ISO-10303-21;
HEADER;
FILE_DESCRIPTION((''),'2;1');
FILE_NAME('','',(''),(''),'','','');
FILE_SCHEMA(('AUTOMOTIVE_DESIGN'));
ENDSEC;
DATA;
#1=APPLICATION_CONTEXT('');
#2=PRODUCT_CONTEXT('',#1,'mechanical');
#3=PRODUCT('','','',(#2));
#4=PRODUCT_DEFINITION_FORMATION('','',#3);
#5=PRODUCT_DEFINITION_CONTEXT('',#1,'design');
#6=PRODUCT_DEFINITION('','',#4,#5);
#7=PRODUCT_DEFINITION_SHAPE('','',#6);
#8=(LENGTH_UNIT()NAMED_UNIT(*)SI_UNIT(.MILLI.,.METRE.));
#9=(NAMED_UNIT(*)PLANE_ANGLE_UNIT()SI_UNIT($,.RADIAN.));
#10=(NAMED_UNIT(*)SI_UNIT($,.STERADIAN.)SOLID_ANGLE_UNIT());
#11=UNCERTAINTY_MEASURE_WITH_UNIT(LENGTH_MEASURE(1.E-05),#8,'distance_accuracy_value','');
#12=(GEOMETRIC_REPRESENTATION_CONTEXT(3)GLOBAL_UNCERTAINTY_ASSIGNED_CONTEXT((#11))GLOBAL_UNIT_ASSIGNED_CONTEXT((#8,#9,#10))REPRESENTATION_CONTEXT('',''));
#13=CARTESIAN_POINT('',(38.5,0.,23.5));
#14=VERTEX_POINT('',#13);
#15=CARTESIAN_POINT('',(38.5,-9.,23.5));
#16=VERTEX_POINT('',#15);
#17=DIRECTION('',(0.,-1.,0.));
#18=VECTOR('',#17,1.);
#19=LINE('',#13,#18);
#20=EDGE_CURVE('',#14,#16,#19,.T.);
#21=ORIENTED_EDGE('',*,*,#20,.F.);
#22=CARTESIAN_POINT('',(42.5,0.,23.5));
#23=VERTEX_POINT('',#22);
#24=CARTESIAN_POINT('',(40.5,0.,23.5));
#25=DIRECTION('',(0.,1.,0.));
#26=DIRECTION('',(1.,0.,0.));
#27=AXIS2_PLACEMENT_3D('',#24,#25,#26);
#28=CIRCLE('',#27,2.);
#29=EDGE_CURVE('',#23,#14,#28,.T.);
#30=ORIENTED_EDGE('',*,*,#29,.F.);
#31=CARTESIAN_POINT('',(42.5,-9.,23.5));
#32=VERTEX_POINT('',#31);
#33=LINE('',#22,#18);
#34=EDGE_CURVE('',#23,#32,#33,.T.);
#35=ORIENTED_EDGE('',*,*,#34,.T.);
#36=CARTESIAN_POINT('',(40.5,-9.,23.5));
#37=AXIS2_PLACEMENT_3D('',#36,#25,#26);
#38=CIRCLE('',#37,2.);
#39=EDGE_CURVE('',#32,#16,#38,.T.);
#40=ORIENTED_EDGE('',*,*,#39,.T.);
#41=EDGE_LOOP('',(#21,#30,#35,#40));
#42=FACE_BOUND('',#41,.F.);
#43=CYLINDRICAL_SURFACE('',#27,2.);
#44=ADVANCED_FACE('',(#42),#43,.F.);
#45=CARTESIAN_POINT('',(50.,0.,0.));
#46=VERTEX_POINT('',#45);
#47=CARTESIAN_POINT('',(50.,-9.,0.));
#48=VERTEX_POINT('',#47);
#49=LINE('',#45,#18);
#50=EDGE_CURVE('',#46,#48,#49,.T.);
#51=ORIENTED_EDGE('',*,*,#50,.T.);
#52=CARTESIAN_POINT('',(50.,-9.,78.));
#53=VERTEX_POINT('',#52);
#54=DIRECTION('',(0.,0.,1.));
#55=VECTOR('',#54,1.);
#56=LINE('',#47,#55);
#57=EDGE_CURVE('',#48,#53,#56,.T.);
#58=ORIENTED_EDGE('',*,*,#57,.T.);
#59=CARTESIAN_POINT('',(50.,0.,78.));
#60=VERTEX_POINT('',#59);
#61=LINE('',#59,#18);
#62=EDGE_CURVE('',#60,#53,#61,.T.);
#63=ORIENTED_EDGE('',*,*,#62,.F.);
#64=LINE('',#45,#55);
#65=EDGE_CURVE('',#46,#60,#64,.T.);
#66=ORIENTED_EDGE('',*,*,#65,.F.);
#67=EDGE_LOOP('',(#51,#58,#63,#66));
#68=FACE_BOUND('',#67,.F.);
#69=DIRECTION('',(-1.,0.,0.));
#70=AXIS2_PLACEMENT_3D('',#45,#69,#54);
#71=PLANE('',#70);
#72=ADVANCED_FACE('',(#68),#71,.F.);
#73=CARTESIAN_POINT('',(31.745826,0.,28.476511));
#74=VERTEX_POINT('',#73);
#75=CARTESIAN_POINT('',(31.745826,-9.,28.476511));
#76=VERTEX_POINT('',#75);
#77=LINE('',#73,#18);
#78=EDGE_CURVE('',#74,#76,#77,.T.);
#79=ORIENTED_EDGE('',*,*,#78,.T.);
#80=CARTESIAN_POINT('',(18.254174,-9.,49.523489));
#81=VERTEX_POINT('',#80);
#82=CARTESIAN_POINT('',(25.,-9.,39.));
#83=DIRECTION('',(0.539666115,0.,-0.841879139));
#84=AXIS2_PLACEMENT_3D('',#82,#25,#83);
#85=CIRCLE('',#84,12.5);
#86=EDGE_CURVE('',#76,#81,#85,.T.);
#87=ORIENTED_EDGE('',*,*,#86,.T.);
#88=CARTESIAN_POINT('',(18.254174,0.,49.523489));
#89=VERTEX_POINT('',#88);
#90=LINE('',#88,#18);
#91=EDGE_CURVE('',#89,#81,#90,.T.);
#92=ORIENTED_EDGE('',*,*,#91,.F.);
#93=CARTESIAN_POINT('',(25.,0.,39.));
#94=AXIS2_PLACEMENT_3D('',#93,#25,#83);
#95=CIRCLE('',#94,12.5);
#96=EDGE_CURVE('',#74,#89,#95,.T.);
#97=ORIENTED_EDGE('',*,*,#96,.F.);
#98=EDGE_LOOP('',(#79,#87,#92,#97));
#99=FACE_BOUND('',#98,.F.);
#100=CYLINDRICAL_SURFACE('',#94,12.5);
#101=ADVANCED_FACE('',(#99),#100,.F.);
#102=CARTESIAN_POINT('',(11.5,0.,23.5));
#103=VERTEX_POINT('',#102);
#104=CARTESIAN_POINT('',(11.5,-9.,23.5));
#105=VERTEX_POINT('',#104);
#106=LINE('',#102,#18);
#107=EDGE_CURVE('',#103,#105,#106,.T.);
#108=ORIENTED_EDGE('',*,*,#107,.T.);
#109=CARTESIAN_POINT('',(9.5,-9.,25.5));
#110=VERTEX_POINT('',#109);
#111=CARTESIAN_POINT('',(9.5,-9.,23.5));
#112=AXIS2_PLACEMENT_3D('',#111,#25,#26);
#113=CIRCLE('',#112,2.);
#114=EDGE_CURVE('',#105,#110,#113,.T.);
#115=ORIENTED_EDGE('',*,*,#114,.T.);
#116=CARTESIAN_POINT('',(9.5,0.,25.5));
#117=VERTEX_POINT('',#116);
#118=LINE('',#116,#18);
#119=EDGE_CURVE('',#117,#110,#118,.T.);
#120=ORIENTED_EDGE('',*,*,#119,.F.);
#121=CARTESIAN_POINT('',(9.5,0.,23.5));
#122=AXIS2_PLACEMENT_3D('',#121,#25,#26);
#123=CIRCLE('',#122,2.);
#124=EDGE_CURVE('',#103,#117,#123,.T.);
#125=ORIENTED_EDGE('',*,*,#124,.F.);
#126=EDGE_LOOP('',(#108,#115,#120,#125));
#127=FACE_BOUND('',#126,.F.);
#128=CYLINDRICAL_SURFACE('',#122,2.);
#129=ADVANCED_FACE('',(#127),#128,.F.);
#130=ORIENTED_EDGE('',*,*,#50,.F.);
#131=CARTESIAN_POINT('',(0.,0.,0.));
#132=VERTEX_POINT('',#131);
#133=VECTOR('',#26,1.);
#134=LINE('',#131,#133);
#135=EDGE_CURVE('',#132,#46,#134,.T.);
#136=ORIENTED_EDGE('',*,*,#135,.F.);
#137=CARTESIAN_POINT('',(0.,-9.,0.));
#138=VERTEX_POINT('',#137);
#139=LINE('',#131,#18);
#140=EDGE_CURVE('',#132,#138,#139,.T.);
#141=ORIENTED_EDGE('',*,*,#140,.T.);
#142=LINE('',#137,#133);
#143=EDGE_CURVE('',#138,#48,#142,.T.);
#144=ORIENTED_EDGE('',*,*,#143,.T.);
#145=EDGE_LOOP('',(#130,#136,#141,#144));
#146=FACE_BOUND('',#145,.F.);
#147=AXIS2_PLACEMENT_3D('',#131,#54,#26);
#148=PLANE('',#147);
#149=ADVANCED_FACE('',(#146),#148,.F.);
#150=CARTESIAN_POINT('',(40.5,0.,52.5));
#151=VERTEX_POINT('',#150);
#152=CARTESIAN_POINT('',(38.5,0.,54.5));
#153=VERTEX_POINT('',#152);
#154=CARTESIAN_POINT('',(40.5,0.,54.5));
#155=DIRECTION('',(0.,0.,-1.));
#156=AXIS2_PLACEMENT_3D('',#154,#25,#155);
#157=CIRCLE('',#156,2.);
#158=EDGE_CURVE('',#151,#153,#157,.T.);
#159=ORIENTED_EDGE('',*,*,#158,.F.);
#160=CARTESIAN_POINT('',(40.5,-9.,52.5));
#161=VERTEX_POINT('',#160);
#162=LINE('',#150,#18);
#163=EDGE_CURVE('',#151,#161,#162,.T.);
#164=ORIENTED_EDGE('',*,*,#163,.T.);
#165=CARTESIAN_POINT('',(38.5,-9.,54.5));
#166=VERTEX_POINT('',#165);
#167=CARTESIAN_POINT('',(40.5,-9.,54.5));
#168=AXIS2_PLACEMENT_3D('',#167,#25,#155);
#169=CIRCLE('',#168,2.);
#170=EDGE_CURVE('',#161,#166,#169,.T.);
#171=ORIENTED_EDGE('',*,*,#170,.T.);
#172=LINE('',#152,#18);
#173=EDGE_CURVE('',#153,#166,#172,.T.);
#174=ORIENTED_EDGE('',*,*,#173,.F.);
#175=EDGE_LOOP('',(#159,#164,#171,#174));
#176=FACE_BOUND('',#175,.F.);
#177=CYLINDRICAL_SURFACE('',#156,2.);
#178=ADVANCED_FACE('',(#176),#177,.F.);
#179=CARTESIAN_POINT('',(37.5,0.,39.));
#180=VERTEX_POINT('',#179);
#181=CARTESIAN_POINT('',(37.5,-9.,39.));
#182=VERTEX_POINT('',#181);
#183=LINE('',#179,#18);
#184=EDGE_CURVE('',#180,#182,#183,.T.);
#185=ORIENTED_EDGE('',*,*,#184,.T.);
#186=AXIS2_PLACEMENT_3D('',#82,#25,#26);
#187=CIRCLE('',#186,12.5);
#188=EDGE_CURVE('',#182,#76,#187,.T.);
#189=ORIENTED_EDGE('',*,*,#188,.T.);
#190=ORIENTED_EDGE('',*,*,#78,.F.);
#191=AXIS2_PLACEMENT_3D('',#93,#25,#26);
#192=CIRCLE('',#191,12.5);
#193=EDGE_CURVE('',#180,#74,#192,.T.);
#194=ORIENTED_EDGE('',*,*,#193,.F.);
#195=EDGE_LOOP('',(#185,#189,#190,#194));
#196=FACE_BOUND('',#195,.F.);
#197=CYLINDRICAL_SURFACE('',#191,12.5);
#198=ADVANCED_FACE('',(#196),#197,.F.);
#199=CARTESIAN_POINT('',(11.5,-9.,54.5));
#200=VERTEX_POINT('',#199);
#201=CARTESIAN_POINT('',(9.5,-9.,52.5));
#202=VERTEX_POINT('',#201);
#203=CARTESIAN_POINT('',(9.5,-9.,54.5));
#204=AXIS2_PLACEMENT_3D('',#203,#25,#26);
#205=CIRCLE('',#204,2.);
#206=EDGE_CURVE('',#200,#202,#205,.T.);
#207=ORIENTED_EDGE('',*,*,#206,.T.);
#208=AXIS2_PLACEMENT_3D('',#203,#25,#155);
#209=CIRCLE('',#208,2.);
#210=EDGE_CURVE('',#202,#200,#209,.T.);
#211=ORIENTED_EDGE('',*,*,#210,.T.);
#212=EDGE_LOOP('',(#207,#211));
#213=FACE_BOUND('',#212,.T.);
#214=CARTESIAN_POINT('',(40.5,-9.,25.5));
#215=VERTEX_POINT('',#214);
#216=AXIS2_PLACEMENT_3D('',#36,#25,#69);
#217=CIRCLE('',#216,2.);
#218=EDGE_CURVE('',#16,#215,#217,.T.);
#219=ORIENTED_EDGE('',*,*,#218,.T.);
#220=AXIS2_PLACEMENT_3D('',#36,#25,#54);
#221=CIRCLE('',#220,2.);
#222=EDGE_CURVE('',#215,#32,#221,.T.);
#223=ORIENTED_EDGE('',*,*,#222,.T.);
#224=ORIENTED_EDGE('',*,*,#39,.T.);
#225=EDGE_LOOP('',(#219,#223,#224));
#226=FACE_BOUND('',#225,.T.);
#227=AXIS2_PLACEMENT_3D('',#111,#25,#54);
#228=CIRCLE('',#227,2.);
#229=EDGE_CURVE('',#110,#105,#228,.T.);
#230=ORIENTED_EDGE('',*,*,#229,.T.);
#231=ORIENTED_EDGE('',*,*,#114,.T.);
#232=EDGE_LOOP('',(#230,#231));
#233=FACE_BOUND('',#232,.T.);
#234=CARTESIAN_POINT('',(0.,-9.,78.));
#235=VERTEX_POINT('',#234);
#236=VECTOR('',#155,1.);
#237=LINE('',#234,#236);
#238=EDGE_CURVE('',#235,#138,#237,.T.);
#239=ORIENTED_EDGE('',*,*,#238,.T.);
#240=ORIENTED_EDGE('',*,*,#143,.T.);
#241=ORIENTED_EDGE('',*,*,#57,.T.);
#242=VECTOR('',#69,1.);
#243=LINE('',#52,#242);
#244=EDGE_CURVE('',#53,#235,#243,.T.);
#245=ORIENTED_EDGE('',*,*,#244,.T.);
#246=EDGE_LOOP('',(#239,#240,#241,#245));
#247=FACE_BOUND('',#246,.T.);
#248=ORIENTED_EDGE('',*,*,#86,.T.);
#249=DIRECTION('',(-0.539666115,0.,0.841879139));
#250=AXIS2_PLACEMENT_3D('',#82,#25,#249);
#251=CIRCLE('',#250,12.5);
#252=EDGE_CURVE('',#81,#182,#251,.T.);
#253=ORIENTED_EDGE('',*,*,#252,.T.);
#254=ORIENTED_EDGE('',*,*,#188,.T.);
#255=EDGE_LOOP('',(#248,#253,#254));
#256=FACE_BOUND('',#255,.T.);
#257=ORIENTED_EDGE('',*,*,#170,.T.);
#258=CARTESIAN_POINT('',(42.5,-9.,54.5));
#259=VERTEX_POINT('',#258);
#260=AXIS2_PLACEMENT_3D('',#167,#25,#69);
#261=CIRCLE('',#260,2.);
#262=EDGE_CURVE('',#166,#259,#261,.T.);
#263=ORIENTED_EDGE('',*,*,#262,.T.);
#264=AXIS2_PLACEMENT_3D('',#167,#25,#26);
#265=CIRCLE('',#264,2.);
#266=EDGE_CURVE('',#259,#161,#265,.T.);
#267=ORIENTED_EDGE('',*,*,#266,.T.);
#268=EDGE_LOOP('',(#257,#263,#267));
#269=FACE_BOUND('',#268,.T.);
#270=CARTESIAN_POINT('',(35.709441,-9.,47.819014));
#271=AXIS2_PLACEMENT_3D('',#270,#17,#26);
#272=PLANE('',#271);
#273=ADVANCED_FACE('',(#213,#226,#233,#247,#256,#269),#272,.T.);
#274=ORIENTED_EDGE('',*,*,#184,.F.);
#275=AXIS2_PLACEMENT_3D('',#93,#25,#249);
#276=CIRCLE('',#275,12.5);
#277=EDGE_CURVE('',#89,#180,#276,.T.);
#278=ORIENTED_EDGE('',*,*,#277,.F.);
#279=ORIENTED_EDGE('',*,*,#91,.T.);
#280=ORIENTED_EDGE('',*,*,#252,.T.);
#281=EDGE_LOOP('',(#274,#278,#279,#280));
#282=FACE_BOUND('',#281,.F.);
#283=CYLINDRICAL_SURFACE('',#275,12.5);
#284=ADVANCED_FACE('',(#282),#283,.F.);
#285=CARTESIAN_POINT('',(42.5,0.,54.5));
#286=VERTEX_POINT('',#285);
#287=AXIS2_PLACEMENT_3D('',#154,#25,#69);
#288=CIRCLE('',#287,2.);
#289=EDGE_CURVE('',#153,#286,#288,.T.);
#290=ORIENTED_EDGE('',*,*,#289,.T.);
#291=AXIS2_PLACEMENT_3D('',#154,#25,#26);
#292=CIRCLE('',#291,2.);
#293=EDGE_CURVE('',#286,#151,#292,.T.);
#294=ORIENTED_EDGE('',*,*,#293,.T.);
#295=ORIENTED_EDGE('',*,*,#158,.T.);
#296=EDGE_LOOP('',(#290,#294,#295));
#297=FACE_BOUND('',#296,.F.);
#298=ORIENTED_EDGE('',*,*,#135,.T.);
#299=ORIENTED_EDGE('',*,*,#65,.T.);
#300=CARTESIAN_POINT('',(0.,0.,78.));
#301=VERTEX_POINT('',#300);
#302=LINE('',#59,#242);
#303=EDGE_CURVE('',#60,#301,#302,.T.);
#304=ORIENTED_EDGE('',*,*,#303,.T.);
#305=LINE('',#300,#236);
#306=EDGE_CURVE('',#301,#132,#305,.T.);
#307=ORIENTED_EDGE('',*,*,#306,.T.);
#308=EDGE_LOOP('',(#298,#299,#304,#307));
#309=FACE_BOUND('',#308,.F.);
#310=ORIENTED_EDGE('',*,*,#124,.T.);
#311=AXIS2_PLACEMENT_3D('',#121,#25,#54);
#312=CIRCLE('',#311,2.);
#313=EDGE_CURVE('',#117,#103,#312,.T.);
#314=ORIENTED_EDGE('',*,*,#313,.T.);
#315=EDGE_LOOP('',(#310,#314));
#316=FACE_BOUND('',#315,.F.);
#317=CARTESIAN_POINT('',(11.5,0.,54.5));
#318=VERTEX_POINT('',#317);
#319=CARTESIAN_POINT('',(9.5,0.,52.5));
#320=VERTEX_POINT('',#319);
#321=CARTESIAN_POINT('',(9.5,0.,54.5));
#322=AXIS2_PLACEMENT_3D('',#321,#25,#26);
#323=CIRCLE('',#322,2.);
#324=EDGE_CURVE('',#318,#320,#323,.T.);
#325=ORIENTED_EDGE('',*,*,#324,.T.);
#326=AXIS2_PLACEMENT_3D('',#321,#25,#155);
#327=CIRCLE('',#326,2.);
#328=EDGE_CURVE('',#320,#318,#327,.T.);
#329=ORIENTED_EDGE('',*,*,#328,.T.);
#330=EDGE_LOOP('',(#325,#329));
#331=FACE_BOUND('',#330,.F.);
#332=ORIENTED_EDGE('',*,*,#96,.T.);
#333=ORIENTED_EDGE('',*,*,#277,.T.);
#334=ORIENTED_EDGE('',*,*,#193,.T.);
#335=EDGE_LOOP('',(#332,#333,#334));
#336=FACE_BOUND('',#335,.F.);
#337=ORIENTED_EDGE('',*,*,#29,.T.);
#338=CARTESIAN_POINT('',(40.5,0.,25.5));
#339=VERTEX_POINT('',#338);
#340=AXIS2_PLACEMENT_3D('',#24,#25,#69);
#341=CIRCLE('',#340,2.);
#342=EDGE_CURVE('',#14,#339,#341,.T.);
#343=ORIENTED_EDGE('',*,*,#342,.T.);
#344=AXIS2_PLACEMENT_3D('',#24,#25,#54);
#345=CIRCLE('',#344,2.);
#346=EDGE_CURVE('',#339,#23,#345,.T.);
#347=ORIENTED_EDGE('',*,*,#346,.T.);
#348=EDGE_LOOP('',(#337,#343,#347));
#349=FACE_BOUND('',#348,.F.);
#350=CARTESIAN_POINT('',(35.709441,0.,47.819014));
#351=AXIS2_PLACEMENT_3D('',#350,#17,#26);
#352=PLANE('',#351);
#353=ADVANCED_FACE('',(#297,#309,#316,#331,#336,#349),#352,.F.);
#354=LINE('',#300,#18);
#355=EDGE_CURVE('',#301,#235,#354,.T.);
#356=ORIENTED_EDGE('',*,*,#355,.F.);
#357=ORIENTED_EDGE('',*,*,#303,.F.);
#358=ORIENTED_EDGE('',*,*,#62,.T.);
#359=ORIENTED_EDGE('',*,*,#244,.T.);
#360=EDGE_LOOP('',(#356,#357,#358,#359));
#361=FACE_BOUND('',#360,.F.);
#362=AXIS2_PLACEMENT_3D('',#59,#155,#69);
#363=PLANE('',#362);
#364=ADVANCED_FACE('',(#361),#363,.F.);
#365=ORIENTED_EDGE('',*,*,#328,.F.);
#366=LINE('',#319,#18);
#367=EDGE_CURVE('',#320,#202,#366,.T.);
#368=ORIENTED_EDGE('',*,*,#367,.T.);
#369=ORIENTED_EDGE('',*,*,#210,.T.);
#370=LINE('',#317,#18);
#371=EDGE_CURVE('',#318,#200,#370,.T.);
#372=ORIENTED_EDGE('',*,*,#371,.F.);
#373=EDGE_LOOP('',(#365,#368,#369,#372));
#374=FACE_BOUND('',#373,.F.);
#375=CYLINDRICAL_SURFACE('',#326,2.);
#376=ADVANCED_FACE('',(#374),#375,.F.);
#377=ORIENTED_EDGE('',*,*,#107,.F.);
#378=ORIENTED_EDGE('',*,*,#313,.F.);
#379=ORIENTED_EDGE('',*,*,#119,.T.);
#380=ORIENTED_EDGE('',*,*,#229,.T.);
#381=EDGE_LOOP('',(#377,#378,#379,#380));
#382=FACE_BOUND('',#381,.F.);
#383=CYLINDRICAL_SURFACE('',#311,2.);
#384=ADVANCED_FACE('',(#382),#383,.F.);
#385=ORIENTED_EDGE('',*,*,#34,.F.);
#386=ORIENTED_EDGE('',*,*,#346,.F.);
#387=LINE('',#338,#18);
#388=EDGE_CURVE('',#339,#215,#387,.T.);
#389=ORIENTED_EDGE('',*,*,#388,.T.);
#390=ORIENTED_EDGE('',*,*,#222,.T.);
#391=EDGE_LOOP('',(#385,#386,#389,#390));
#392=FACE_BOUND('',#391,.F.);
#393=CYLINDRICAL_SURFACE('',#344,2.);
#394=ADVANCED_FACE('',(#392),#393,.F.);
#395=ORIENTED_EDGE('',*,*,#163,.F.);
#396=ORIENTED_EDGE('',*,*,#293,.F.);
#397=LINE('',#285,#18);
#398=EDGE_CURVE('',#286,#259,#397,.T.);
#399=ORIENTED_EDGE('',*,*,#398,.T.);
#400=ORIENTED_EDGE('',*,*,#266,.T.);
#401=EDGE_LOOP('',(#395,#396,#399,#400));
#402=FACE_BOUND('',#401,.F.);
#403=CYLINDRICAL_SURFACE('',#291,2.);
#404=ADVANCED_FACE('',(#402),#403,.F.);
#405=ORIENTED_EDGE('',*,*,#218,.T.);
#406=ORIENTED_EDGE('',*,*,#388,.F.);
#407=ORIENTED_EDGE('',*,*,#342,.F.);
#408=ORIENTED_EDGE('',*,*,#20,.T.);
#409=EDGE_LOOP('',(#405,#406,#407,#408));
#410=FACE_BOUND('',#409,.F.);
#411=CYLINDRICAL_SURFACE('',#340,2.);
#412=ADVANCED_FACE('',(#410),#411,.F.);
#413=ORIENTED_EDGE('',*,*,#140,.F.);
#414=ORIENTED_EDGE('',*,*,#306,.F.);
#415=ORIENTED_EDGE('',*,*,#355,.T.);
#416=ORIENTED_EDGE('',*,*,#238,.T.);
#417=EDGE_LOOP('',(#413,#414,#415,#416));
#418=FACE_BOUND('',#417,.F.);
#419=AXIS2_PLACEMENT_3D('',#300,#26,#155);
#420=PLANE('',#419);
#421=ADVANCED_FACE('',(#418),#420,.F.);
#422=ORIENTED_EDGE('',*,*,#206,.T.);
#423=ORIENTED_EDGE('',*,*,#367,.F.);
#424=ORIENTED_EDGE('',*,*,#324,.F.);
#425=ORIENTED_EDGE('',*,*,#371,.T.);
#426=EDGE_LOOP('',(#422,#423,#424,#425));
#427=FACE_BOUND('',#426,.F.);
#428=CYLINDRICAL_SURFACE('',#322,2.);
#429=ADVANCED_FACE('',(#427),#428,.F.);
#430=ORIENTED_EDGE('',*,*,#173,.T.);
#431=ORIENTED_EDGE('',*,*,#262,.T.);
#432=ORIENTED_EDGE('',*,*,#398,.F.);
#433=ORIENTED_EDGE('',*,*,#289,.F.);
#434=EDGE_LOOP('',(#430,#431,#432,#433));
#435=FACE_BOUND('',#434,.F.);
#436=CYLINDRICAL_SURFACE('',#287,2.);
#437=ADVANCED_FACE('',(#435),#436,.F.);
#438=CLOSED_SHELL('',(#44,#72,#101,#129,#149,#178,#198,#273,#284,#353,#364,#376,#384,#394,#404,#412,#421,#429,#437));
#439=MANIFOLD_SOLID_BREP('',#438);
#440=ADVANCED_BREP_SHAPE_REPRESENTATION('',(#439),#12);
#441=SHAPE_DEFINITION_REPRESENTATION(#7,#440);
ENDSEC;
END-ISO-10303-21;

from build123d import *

# Parameters (mm, degrees)
F1_DEPTH = 9


with BuildPart() as f1:
    # F0 (on Front) → F1 (new body)
    with BuildSketch(Plane.XZ):
        with BuildLine():
            Line((34.9358974359, 23.5), (50, 0))
            Line((50, 0), (50, 78))
            Line((50, 78), (0, 78))
            Line((0, 78), (15.0641025641, 54.5))
            Line((15.0641025641, 54.5), (38.5, 54.5))
            ThreePointArc((38.5, 54.5), (40.5, 56.5), (42.5, 54.5))
            ThreePointArc((42.5, 54.5), (41.9142135624, 53.0857864376), (40.5, 52.5))
            Line((40.5, 52.5), (40.5, 25.5))
            ThreePointArc((40.5, 25.5), (41.9142135624, 24.9142135624), (42.5, 23.5))
            ThreePointArc((42.5, 23.5), (40.5, 21.5), (38.5, 23.5))
            Line((38.5, 23.5), (34.9358974359, 23.5))
        make_face()
        with BuildLine():
            Line((0, 78), (0, 0))
            Line((0, 0), (50, 0))
            Line((50, 0), (34.9358974359, 23.5))
            Line((34.9358974359, 23.5), (11.5, 23.5))
            ThreePointArc((11.5, 23.5), (8.0857864376, 22.0857864376), (9.5, 25.5))
            Line((9.5, 25.5), (9.5, 52.5))
            ThreePointArc((9.5, 52.5), (8.0857864376, 55.9142135624), (11.5, 54.5))
            Line((11.5, 54.5), (15.0641025641, 54.5))
            Line((15.0641025641, 54.5), (0, 78))
        make_face()
        with BuildLine():
            Line((31.745826434, 28.476510763), (34.9358974359, 23.5))
            Line((34.9358974359, 23.5), (38.5, 23.5))
            ThreePointArc((38.5, 23.5), (39.0857864376, 24.9142135624), (40.5, 25.5))
            Line((40.5, 25.5), (40.5, 52.5))
            ThreePointArc((40.5, 52.5), (39.0857864376, 53.0857864376), (38.5, 54.5))
            Line((38.5, 54.5), (15.0641025641, 54.5))
            Line((15.0641025641, 54.5), (18.254173566, 49.523489237))
            ThreePointArc((18.254173566, 49.523489237), (30.9969646312, 49.9675163648), (37.5, 39))
            ThreePointArc((37.5, 39), (35.9675163648, 33.0030353688), (31.745826434, 28.476510763))
        make_face()
        with BuildLine():
            Line((11.5, 23.5), (34.9358974359, 23.5))
            Line((34.9358974359, 23.5), (31.745826434, 28.476510763))
            ThreePointArc((31.745826434, 28.476510763), (14.476510763, 32.254173566), (18.254173566, 49.523489237))
            Line((18.254173566, 49.523489237), (15.0641025641, 54.5))
            Line((15.0641025641, 54.5), (11.5, 54.5))
            ThreePointArc((11.5, 54.5), (10.9142135624, 53.0857864376), (9.5, 52.5))
            Line((9.5, 52.5), (9.5, 25.5))
            ThreePointArc((9.5, 25.5), (10.9142135624, 24.9142135624), (11.5, 23.5))
        make_face()
    extrude(amount=F1_DEPTH)


solid = f1.part
